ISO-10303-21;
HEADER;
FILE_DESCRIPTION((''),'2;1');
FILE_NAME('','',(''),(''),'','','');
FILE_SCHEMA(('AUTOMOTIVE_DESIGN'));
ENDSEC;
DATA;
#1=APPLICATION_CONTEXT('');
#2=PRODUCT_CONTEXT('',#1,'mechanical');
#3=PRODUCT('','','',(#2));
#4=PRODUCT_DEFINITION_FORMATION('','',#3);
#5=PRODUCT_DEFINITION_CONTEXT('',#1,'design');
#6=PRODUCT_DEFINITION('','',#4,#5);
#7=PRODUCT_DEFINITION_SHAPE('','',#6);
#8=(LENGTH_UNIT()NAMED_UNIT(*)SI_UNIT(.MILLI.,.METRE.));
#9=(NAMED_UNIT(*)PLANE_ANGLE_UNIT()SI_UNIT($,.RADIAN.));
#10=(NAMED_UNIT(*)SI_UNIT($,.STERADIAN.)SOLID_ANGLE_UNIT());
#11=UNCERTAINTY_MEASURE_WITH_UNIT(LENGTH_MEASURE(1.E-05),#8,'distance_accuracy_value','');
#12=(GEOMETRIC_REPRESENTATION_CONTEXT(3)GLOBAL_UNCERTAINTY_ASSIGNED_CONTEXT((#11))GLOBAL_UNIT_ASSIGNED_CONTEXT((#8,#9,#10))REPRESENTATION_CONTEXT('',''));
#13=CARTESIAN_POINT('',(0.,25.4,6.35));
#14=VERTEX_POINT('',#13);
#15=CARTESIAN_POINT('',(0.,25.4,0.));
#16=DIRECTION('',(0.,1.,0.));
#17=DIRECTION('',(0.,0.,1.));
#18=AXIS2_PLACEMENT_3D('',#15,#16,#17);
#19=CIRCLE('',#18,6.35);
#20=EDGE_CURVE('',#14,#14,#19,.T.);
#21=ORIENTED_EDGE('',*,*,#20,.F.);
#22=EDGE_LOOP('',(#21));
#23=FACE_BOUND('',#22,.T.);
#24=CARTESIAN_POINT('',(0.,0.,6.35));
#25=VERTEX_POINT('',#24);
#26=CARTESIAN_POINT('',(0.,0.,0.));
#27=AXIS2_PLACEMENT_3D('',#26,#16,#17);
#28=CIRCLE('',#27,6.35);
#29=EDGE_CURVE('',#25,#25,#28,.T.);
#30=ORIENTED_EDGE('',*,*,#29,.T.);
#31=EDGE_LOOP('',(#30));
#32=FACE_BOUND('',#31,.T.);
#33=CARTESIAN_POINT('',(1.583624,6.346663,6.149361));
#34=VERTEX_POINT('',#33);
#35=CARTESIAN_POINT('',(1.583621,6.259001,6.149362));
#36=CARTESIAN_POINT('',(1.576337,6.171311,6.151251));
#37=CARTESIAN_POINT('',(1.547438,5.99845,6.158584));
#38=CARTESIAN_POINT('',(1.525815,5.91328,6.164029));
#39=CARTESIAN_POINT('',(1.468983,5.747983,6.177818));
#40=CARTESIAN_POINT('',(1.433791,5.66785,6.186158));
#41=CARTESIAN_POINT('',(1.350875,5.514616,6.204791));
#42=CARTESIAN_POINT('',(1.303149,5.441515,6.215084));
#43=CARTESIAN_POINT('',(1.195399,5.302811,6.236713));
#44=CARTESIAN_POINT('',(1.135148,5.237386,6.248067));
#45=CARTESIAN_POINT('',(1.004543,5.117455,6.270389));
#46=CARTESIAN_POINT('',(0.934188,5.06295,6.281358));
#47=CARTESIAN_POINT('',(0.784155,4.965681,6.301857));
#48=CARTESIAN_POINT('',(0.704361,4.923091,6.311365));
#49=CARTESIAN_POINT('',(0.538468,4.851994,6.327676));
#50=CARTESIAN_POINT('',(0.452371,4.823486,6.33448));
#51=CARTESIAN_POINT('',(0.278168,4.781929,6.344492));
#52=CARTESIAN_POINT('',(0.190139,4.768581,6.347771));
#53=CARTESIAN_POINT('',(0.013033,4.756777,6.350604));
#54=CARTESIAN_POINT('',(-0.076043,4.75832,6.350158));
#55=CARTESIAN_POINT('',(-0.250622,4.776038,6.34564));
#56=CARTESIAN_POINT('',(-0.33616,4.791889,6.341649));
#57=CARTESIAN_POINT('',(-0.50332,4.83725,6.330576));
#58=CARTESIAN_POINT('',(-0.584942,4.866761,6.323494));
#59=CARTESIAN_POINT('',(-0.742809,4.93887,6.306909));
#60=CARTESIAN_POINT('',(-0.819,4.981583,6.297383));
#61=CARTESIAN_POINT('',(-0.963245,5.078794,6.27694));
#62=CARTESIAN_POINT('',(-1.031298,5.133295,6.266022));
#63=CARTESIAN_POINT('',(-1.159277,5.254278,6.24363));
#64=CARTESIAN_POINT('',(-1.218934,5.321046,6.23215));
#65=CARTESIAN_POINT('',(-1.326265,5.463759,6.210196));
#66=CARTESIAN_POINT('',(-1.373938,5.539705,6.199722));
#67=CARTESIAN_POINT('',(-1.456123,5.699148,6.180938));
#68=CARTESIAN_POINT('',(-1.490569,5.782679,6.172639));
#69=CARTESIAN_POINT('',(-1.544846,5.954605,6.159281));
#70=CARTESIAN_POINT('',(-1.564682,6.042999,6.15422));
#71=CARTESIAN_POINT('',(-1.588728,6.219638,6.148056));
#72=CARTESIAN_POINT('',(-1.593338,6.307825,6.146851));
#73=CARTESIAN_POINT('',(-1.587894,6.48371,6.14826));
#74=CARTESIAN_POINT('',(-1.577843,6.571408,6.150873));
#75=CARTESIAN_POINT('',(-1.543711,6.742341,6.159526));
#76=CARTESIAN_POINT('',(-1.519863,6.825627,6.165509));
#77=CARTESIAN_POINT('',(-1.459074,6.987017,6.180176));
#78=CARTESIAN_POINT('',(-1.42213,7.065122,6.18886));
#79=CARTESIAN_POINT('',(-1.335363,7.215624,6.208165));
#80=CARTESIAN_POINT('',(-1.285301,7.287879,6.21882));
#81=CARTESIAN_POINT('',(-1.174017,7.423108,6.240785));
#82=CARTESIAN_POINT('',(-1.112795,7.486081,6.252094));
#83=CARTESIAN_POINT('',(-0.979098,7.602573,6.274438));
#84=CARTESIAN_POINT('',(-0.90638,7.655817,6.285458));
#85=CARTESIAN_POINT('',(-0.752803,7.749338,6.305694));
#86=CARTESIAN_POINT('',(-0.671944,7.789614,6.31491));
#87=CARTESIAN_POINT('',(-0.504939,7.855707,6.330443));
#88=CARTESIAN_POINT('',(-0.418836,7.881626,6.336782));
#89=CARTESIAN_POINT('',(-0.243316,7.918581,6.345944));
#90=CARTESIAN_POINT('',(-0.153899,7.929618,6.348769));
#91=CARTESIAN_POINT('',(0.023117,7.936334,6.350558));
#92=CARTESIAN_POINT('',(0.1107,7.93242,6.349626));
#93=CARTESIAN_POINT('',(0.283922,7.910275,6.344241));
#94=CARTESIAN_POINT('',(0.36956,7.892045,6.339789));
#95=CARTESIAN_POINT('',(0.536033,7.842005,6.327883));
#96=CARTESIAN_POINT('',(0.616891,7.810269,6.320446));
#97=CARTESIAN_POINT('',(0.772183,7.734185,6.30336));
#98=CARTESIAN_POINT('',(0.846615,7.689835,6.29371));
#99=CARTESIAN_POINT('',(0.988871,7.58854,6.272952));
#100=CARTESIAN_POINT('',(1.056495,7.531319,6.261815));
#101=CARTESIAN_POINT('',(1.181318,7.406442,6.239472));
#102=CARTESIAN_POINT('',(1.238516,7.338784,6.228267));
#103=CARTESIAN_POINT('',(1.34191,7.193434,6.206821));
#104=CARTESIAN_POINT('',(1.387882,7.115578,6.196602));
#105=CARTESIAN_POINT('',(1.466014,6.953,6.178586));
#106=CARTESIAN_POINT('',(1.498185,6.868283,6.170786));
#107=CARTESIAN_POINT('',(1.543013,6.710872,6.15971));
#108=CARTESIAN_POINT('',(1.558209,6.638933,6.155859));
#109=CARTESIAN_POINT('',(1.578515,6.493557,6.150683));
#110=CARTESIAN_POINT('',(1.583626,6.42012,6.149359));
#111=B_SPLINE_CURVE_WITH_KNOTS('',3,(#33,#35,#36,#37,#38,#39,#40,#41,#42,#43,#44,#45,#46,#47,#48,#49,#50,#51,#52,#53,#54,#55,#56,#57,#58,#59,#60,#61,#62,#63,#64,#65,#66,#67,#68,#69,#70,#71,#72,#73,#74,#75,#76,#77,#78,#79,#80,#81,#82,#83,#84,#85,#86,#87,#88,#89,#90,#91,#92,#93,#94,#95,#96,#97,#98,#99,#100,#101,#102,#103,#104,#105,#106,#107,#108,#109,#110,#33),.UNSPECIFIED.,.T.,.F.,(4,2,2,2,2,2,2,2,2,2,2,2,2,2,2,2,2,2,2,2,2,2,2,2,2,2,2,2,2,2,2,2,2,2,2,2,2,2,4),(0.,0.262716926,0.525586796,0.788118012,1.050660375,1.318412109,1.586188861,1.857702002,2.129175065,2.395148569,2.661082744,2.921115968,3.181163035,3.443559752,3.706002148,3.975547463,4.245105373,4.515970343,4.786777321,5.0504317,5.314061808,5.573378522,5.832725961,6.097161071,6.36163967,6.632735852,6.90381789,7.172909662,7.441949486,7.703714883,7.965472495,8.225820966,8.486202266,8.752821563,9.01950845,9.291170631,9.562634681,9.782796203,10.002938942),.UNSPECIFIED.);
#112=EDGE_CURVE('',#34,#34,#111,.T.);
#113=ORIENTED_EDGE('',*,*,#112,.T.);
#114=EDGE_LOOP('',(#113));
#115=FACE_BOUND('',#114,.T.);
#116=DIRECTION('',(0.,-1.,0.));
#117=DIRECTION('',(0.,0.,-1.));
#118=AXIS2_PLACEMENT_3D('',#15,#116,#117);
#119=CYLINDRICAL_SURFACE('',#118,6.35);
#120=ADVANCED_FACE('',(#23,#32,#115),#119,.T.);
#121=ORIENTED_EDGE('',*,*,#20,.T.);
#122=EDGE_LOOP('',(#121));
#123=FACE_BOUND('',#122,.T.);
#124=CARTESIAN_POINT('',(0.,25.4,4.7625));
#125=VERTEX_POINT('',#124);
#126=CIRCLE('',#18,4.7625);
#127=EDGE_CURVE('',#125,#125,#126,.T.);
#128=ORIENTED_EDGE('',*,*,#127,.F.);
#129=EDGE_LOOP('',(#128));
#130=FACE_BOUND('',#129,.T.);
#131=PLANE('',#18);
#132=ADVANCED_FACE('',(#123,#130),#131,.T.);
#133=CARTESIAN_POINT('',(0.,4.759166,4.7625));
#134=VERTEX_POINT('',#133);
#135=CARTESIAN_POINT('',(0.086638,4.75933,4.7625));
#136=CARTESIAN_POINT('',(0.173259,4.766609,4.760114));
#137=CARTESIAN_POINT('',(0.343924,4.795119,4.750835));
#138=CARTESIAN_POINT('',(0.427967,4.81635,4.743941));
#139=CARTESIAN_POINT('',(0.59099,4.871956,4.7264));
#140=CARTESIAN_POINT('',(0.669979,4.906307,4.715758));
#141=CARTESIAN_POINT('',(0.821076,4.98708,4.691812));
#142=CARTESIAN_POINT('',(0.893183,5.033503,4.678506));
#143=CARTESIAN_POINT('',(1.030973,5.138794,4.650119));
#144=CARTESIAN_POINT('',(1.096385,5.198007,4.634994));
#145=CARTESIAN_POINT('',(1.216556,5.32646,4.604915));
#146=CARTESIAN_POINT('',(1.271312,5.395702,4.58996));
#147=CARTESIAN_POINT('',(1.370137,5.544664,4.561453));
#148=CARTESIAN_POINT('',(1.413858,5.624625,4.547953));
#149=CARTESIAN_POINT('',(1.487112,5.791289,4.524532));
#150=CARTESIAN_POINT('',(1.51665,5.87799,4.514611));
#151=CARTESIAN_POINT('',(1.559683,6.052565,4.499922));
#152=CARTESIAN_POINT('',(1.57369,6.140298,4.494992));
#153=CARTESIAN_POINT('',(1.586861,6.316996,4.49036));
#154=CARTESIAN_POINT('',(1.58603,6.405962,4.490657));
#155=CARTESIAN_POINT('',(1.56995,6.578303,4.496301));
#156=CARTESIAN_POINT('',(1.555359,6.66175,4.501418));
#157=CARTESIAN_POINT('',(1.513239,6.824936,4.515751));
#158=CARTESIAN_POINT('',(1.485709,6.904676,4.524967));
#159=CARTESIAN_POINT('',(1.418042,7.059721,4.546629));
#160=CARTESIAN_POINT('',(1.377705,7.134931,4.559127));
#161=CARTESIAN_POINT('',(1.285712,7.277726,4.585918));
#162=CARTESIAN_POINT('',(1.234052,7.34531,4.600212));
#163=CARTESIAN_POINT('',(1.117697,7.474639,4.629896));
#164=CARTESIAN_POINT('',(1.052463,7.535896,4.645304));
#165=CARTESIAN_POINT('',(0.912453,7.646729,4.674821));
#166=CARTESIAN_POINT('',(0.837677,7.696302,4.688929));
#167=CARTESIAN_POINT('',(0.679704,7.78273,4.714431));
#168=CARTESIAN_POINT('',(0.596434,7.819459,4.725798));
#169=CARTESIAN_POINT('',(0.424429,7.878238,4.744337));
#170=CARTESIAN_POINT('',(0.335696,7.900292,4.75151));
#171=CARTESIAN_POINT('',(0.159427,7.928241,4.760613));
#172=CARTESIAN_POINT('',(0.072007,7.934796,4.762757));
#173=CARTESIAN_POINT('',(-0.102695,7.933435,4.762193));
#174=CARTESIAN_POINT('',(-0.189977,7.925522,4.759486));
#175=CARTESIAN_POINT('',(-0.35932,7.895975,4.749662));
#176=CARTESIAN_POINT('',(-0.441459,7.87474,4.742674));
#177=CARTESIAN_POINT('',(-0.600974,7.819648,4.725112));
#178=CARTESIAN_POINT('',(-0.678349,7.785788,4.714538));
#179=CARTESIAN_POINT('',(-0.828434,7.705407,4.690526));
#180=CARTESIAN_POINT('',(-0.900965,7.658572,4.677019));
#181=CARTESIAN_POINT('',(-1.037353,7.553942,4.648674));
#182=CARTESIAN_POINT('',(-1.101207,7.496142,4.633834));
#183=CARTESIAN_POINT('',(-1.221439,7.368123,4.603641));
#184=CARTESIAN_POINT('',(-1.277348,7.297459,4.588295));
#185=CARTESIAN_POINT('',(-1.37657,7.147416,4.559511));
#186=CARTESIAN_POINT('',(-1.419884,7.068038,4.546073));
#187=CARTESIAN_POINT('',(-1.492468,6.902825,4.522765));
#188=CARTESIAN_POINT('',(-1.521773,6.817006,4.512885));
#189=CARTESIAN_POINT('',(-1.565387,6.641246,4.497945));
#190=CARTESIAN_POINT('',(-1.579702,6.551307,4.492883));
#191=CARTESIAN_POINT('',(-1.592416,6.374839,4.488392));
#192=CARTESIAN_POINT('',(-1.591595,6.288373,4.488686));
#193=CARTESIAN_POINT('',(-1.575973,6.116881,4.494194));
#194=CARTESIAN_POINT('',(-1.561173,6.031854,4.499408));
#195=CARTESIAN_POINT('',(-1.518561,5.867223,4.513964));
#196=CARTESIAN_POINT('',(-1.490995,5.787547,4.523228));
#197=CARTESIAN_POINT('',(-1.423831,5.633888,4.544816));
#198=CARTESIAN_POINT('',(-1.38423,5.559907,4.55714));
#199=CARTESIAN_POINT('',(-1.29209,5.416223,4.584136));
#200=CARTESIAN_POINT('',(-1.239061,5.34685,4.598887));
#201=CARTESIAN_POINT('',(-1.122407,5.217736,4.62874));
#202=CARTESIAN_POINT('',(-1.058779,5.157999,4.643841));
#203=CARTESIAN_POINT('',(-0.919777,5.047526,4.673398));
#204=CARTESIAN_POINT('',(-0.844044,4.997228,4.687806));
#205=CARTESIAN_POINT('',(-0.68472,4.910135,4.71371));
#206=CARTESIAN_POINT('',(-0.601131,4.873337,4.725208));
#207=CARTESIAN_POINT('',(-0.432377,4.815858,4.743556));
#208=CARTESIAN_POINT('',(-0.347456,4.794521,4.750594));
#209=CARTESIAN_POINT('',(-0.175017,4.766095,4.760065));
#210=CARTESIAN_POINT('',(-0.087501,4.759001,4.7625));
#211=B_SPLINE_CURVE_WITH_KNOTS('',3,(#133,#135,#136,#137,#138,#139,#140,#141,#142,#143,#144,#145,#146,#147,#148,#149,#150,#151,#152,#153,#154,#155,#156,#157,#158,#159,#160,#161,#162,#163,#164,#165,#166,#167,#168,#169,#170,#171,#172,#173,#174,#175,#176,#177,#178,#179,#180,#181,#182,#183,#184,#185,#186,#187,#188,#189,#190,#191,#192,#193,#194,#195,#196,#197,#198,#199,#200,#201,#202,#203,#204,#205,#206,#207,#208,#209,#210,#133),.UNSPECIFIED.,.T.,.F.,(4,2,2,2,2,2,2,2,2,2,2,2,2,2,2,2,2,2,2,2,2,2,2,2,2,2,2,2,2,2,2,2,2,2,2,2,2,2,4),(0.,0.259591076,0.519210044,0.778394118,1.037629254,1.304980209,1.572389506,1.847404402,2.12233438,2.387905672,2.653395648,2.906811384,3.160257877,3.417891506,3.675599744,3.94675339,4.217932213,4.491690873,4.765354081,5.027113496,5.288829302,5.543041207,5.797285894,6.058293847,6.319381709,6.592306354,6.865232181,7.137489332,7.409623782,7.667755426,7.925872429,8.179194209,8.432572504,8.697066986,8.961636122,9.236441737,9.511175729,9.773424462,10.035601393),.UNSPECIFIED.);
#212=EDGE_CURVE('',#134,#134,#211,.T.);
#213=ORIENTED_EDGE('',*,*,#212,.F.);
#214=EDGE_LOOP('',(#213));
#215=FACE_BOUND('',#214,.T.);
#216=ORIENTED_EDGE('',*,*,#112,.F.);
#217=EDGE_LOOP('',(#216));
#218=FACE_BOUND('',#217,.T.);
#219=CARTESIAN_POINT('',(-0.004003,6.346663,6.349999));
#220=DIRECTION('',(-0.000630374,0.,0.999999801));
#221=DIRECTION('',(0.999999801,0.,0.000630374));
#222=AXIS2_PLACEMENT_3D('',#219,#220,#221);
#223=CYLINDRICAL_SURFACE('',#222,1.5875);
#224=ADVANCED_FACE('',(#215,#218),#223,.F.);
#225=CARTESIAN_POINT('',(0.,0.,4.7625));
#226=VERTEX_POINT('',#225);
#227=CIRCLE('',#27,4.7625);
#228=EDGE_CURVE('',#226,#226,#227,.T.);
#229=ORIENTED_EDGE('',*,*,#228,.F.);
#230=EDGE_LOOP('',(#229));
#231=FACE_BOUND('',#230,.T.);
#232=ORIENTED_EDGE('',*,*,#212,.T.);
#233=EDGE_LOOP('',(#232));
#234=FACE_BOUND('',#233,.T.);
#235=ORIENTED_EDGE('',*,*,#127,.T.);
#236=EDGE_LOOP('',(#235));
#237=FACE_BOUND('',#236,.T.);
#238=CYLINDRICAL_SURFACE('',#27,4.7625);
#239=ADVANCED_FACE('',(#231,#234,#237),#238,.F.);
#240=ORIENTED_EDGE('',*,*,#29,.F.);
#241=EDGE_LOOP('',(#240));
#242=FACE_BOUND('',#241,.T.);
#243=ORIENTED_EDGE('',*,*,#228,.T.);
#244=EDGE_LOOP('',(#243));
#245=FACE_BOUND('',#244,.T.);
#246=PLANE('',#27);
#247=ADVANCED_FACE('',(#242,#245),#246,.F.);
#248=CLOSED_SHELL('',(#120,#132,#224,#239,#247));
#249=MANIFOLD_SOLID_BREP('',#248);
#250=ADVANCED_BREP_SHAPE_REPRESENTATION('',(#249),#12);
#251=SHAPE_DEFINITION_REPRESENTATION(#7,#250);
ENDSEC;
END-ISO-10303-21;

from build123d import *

# Parameters (mm, degrees)
SKETCH1_R                        = 6.35
BOSS_EXTRUDE1_DEPTH              = 25.4
SKETCH3_R                        = 4.7625
CUT_EXTRUDE1_DEPTH               = 27.940768363
F_1_8_0_125_DIAMETER_HOLE2_D     = 3.175
F_1_8_0_125_DIAMETER_HOLE2_DEPTH = 6.349
F_1_8_0_125_DIAMETER_HOLE2_TIP   = 0.953866233


with BuildPart() as part:
    # Sketch1 → Boss-Extrude1 (new body)
    with BuildSketch(Plane(origin=(0, 0, 0), x_dir=(1, 0, 0), z_dir=(0, 1, 0))):
        with Locations(Location((0, 0, 0), (0, 0, 270))):
            Circle(SKETCH1_R)
    extrude(amount=BOSS_EXTRUDE1_DEPTH)

    # Sketch3 → Cut-Extrude1 (cut, through all)
    with BuildSketch(Plane(origin=(0, 25.4, 0), x_dir=(1, 0, 0), z_dir=(0, 1, 0))):
        with Locations(Location((0, 0, 0), (0, 0, 270))):
            Circle(SKETCH3_R)
    extrude(amount=-CUT_EXTRUDE1_DEPTH, mode=Mode.SUBTRACT)

    # 1/8 (0.125) Diameter Hole2
    with Locations(Plane(origin=(-0.004002873, 6.346663359, 6.349998738), x_dir=(0.999999801314, 0, 0.000630373746), z_dir=(-0.000630373746, 0, 0.999999801314))):
        with Locations((0, 0)):
            Hole(F_1_8_0_125_DIAMETER_HOLE2_D / 2, depth=F_1_8_0_125_DIAMETER_HOLE2_DEPTH)
            with Locations((0, 0, -(F_1_8_0_125_DIAMETER_HOLE2_DEPTH + F_1_8_0_125_DIAMETER_HOLE2_TIP / 2))):  # 118° drill point
                Cone(0, F_1_8_0_125_DIAMETER_HOLE2_D / 2, F_1_8_0_125_DIAMETER_HOLE2_TIP, mode=Mode.SUBTRACT)


solid = part.part
